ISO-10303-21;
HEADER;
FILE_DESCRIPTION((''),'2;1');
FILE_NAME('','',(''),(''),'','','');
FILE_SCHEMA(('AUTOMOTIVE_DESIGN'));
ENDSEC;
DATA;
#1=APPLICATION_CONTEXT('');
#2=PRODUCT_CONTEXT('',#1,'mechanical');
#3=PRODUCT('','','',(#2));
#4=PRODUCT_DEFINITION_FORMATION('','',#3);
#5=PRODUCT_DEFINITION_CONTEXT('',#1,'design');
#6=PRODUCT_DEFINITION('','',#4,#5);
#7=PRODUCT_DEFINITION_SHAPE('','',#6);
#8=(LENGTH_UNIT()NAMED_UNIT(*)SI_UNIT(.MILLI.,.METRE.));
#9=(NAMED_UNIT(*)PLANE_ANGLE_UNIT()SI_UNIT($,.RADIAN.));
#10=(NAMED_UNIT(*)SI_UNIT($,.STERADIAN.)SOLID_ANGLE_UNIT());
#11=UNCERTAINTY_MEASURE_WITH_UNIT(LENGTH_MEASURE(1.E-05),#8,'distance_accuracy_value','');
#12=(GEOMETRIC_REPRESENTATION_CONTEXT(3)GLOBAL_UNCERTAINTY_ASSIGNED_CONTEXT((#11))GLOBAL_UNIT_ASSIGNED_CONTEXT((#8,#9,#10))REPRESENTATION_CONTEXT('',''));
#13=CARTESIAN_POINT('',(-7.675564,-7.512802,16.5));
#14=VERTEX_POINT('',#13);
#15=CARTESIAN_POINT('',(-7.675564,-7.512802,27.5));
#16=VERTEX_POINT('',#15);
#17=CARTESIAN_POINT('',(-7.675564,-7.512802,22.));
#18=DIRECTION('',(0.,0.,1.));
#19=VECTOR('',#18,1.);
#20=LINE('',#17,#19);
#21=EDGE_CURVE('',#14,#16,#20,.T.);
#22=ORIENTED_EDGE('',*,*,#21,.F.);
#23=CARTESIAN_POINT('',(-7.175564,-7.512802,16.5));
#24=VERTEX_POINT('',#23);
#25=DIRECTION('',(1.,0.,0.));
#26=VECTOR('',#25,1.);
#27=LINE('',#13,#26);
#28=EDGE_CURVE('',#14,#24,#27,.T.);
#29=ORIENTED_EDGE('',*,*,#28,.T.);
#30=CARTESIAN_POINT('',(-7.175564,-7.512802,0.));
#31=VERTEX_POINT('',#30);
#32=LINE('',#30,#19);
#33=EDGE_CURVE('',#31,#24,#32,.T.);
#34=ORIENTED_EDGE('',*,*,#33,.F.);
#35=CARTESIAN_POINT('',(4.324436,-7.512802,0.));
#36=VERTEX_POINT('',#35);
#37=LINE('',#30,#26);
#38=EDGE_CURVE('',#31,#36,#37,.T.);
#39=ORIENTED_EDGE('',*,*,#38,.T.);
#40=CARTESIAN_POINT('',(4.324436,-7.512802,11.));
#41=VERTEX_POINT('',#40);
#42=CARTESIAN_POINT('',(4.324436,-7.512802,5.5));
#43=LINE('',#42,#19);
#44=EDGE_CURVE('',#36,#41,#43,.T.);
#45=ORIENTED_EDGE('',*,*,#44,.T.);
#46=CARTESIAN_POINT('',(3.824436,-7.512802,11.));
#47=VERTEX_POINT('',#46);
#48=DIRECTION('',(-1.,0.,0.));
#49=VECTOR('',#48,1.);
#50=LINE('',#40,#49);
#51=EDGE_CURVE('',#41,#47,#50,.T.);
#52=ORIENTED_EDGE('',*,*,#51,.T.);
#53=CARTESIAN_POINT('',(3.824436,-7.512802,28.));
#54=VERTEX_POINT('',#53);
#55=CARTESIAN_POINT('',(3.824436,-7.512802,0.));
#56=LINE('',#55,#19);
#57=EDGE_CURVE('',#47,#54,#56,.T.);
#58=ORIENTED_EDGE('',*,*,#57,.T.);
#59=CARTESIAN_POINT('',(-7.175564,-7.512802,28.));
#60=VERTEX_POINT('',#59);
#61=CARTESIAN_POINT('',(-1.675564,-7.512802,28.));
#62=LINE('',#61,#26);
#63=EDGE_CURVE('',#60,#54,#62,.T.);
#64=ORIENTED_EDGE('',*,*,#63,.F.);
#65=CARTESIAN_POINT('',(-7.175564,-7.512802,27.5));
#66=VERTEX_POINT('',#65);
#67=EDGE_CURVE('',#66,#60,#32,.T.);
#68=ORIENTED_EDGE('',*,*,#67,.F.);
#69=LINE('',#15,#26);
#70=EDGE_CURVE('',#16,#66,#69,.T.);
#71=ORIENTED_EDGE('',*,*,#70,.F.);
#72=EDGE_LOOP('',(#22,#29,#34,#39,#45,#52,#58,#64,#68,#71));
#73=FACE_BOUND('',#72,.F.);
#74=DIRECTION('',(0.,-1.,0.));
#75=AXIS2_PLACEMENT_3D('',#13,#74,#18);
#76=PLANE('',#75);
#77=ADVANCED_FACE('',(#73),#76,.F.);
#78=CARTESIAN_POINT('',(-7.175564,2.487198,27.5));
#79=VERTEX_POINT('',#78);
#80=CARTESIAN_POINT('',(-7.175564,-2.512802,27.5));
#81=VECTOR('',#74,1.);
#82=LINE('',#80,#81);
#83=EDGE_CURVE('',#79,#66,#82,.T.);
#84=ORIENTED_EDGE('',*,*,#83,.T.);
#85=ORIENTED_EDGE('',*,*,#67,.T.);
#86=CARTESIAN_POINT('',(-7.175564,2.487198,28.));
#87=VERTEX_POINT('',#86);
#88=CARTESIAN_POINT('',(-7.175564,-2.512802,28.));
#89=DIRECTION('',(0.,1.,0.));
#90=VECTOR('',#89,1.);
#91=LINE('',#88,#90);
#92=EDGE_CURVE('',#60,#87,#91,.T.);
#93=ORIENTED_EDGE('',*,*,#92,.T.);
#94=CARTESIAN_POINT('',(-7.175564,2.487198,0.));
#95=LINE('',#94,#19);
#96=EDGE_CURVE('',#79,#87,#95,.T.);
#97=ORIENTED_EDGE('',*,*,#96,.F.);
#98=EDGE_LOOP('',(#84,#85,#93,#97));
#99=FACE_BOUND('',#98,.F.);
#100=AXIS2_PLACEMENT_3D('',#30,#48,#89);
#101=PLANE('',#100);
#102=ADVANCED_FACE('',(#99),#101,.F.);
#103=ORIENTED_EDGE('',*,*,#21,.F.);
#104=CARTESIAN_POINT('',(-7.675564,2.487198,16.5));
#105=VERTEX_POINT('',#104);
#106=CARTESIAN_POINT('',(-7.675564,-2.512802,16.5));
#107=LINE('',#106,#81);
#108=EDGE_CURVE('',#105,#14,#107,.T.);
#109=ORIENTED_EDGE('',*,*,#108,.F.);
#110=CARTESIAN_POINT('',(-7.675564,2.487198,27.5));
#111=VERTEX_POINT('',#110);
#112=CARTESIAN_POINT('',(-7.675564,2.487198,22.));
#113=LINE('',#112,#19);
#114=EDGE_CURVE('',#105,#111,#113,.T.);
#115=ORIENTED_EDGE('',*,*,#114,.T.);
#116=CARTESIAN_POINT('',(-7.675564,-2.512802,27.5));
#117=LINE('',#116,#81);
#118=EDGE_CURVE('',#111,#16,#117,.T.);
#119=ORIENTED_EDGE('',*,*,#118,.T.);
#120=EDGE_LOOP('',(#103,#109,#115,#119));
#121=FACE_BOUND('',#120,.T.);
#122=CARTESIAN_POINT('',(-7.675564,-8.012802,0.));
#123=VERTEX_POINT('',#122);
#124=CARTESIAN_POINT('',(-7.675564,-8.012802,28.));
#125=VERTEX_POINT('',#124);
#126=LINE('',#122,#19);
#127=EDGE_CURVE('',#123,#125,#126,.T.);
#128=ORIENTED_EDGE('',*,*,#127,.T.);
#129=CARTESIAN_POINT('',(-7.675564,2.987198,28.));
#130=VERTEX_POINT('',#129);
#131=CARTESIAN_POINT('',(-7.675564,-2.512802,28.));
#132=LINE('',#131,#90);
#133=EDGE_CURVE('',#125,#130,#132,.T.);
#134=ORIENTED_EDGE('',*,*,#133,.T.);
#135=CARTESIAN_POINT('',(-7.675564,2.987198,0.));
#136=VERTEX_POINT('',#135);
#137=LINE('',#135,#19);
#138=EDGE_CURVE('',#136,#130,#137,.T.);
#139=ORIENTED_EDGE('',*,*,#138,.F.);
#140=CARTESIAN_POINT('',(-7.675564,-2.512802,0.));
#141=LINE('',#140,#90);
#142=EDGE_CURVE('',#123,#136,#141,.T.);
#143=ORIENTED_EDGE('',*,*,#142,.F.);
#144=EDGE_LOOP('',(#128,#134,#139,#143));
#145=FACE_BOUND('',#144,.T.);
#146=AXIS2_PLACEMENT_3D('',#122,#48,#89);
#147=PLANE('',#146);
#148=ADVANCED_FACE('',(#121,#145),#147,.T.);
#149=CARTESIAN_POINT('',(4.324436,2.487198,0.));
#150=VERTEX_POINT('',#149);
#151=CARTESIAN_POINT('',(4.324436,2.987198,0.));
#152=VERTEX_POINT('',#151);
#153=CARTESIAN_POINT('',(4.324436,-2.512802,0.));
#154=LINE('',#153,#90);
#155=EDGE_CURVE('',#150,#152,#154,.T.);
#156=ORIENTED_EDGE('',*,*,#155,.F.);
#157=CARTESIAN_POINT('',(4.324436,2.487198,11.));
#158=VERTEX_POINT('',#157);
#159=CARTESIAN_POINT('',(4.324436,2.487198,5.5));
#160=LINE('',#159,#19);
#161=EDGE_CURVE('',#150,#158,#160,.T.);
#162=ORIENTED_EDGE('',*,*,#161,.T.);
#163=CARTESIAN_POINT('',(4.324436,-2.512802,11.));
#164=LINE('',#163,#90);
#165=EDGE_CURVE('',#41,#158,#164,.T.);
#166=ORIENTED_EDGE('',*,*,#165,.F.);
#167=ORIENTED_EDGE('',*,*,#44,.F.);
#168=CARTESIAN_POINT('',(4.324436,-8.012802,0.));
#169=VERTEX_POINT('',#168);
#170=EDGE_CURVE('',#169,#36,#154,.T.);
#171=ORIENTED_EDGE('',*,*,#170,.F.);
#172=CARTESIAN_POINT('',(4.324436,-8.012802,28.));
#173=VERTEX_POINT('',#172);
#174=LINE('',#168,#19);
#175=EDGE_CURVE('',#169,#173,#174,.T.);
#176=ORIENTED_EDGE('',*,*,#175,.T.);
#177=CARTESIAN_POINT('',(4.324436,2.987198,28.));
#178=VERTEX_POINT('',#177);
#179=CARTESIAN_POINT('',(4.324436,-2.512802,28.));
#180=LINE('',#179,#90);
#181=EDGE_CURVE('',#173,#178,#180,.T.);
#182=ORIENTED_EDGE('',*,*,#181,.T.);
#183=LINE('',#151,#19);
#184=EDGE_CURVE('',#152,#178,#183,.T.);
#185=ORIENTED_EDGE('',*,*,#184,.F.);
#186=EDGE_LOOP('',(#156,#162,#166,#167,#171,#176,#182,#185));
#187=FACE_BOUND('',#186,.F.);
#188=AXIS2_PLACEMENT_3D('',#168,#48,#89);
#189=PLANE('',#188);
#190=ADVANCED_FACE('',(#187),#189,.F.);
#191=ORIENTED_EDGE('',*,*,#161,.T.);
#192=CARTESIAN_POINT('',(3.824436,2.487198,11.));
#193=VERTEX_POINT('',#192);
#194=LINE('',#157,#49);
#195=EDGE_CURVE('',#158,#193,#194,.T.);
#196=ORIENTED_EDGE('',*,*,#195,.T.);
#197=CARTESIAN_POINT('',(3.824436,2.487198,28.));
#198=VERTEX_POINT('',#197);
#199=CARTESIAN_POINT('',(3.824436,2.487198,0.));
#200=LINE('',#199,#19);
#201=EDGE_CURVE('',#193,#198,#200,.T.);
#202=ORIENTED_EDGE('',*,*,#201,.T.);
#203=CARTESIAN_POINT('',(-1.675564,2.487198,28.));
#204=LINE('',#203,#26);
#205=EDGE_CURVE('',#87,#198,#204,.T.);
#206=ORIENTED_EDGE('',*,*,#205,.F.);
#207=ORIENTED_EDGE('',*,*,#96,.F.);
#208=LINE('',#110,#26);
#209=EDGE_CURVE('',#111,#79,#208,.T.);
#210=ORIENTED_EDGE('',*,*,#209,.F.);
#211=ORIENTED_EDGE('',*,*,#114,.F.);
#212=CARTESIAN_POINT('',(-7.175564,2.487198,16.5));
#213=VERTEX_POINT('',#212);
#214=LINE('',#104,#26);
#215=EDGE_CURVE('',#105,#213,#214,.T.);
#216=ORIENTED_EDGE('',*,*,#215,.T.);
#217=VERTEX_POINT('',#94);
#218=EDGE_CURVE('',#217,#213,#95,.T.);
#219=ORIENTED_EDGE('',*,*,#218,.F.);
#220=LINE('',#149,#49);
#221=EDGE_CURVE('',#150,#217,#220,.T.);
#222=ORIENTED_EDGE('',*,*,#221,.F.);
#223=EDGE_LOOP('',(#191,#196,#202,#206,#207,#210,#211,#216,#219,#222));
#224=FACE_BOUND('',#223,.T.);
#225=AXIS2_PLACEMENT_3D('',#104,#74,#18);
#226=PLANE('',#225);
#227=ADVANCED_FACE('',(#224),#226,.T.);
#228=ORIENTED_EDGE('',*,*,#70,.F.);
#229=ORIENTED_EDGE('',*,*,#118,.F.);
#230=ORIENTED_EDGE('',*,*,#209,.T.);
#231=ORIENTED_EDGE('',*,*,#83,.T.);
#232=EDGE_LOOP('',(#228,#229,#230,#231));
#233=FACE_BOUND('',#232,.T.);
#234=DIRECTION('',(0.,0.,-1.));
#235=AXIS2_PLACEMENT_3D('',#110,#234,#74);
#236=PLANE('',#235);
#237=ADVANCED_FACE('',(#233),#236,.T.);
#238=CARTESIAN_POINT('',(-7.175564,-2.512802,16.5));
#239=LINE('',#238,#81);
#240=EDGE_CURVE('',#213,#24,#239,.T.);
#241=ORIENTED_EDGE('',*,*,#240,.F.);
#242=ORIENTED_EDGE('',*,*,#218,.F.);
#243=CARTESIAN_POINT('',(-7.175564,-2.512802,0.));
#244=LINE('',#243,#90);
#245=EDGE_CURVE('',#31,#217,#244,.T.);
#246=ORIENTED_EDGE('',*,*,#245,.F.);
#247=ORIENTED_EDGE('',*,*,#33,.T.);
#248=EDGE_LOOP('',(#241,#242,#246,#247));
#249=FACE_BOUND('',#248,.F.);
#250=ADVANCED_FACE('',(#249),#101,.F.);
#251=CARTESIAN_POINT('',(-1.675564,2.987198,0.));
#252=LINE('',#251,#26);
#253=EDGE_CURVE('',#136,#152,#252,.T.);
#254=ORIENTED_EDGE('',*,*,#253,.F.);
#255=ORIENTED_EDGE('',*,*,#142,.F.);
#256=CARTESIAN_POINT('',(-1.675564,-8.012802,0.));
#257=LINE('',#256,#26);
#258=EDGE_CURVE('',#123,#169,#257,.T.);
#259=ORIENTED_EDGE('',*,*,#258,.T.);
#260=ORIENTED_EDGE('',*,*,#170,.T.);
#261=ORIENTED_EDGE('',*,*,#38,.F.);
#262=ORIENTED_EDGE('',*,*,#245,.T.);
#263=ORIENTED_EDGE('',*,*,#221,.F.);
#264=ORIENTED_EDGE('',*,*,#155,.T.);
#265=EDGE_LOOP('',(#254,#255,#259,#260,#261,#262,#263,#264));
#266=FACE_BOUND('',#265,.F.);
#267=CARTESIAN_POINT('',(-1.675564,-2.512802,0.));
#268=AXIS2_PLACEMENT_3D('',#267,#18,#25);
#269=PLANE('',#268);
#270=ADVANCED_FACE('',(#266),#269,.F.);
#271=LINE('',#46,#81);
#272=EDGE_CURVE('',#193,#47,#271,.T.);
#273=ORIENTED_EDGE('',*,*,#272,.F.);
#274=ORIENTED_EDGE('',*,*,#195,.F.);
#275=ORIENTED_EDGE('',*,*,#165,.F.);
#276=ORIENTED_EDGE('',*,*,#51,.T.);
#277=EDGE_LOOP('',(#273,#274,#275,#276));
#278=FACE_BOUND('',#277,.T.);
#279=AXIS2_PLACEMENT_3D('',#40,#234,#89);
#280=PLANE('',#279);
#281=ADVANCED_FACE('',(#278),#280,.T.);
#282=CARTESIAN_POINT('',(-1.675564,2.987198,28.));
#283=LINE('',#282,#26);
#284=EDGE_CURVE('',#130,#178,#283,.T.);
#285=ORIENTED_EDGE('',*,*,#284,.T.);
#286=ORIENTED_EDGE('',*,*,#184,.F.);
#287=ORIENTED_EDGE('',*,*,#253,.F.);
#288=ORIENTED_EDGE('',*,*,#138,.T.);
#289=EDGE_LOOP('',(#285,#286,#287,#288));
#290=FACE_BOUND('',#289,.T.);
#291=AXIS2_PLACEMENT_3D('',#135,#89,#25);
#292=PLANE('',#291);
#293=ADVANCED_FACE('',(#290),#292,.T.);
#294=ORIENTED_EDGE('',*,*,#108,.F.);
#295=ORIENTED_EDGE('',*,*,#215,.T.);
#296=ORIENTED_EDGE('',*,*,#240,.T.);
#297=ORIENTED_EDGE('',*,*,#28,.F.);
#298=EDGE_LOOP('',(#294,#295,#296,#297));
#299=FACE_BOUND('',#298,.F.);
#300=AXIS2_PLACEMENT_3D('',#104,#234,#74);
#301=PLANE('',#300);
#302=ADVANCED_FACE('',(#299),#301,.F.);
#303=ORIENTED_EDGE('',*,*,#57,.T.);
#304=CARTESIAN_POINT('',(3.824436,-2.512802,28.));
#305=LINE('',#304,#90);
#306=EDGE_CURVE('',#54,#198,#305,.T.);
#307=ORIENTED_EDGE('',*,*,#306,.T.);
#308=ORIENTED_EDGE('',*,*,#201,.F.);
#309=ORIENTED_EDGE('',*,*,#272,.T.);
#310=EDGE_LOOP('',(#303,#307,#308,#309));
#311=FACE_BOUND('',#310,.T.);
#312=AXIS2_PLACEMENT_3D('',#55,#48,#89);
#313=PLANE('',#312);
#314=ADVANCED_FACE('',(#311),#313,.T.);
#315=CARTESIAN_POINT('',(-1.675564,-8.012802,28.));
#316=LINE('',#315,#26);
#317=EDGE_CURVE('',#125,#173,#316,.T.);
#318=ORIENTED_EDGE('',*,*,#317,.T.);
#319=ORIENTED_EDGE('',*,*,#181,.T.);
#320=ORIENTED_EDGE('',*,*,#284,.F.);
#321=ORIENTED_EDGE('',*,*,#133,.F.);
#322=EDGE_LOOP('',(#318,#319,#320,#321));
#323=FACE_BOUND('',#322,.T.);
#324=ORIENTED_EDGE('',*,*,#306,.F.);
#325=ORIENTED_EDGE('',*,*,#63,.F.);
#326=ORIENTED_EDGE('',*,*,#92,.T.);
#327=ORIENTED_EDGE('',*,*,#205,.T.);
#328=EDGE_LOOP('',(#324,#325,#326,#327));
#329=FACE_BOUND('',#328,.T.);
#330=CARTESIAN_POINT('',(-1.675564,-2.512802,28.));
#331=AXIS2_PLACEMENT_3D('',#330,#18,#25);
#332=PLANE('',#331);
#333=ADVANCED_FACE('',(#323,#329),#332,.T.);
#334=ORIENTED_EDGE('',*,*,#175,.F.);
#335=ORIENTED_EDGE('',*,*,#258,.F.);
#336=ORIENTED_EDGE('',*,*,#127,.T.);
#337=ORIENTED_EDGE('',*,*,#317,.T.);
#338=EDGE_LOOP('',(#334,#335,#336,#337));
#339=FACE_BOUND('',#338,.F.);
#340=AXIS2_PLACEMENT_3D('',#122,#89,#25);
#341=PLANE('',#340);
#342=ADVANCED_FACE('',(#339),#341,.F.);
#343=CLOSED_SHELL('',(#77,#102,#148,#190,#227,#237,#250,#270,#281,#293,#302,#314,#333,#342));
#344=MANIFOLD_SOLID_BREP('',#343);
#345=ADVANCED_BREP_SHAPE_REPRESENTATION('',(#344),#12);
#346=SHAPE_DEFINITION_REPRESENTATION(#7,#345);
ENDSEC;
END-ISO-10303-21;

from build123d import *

# Parameters (mm, degrees)
F0_W     = 12
F0_H     = 11
F0_W_2   = 11
F0_H_2   = 10
F1_DEPTH = 28
F2_W     = 10
F2_H     = 11
F3_DEPTH = 2
F4_W     = 10
F4_H     = 11
F5_DEPTH = 2


with BuildPart() as f1:
    # F0 (on Top) → F1 (new body)
    with BuildSketch(Plane.XY):
        with Locations((-1.675564, -2.512802)):
            Rectangle(F0_W, F0_H)
        with Locations((-1.675564, -2.512802)):
            Rectangle(F0_W_2, F0_H_2, mode=Mode.SUBTRACT)
    extrude(amount=F1_DEPTH)

    # F2 (on face) → F3 (cut)
    with BuildSketch(Plane.YZ.offset(4.324436)):
        with Locations((-2.512802, 5.5)):
            Rectangle(F2_W, F2_H)
    extrude(amount=-F3_DEPTH, mode=Mode.SUBTRACT)

    # F4 (on face) → F5 (cut)
    with BuildSketch(Plane(origin=(-7.675564, 0, 0), x_dir=(0, -1, 0), z_dir=(-1, 0, 0))):
        with Locations((2.512802, 22)):
            Rectangle(F4_W, F4_H)
    extrude(amount=-F5_DEPTH, mode=Mode.SUBTRACT)


solid = f1.part
